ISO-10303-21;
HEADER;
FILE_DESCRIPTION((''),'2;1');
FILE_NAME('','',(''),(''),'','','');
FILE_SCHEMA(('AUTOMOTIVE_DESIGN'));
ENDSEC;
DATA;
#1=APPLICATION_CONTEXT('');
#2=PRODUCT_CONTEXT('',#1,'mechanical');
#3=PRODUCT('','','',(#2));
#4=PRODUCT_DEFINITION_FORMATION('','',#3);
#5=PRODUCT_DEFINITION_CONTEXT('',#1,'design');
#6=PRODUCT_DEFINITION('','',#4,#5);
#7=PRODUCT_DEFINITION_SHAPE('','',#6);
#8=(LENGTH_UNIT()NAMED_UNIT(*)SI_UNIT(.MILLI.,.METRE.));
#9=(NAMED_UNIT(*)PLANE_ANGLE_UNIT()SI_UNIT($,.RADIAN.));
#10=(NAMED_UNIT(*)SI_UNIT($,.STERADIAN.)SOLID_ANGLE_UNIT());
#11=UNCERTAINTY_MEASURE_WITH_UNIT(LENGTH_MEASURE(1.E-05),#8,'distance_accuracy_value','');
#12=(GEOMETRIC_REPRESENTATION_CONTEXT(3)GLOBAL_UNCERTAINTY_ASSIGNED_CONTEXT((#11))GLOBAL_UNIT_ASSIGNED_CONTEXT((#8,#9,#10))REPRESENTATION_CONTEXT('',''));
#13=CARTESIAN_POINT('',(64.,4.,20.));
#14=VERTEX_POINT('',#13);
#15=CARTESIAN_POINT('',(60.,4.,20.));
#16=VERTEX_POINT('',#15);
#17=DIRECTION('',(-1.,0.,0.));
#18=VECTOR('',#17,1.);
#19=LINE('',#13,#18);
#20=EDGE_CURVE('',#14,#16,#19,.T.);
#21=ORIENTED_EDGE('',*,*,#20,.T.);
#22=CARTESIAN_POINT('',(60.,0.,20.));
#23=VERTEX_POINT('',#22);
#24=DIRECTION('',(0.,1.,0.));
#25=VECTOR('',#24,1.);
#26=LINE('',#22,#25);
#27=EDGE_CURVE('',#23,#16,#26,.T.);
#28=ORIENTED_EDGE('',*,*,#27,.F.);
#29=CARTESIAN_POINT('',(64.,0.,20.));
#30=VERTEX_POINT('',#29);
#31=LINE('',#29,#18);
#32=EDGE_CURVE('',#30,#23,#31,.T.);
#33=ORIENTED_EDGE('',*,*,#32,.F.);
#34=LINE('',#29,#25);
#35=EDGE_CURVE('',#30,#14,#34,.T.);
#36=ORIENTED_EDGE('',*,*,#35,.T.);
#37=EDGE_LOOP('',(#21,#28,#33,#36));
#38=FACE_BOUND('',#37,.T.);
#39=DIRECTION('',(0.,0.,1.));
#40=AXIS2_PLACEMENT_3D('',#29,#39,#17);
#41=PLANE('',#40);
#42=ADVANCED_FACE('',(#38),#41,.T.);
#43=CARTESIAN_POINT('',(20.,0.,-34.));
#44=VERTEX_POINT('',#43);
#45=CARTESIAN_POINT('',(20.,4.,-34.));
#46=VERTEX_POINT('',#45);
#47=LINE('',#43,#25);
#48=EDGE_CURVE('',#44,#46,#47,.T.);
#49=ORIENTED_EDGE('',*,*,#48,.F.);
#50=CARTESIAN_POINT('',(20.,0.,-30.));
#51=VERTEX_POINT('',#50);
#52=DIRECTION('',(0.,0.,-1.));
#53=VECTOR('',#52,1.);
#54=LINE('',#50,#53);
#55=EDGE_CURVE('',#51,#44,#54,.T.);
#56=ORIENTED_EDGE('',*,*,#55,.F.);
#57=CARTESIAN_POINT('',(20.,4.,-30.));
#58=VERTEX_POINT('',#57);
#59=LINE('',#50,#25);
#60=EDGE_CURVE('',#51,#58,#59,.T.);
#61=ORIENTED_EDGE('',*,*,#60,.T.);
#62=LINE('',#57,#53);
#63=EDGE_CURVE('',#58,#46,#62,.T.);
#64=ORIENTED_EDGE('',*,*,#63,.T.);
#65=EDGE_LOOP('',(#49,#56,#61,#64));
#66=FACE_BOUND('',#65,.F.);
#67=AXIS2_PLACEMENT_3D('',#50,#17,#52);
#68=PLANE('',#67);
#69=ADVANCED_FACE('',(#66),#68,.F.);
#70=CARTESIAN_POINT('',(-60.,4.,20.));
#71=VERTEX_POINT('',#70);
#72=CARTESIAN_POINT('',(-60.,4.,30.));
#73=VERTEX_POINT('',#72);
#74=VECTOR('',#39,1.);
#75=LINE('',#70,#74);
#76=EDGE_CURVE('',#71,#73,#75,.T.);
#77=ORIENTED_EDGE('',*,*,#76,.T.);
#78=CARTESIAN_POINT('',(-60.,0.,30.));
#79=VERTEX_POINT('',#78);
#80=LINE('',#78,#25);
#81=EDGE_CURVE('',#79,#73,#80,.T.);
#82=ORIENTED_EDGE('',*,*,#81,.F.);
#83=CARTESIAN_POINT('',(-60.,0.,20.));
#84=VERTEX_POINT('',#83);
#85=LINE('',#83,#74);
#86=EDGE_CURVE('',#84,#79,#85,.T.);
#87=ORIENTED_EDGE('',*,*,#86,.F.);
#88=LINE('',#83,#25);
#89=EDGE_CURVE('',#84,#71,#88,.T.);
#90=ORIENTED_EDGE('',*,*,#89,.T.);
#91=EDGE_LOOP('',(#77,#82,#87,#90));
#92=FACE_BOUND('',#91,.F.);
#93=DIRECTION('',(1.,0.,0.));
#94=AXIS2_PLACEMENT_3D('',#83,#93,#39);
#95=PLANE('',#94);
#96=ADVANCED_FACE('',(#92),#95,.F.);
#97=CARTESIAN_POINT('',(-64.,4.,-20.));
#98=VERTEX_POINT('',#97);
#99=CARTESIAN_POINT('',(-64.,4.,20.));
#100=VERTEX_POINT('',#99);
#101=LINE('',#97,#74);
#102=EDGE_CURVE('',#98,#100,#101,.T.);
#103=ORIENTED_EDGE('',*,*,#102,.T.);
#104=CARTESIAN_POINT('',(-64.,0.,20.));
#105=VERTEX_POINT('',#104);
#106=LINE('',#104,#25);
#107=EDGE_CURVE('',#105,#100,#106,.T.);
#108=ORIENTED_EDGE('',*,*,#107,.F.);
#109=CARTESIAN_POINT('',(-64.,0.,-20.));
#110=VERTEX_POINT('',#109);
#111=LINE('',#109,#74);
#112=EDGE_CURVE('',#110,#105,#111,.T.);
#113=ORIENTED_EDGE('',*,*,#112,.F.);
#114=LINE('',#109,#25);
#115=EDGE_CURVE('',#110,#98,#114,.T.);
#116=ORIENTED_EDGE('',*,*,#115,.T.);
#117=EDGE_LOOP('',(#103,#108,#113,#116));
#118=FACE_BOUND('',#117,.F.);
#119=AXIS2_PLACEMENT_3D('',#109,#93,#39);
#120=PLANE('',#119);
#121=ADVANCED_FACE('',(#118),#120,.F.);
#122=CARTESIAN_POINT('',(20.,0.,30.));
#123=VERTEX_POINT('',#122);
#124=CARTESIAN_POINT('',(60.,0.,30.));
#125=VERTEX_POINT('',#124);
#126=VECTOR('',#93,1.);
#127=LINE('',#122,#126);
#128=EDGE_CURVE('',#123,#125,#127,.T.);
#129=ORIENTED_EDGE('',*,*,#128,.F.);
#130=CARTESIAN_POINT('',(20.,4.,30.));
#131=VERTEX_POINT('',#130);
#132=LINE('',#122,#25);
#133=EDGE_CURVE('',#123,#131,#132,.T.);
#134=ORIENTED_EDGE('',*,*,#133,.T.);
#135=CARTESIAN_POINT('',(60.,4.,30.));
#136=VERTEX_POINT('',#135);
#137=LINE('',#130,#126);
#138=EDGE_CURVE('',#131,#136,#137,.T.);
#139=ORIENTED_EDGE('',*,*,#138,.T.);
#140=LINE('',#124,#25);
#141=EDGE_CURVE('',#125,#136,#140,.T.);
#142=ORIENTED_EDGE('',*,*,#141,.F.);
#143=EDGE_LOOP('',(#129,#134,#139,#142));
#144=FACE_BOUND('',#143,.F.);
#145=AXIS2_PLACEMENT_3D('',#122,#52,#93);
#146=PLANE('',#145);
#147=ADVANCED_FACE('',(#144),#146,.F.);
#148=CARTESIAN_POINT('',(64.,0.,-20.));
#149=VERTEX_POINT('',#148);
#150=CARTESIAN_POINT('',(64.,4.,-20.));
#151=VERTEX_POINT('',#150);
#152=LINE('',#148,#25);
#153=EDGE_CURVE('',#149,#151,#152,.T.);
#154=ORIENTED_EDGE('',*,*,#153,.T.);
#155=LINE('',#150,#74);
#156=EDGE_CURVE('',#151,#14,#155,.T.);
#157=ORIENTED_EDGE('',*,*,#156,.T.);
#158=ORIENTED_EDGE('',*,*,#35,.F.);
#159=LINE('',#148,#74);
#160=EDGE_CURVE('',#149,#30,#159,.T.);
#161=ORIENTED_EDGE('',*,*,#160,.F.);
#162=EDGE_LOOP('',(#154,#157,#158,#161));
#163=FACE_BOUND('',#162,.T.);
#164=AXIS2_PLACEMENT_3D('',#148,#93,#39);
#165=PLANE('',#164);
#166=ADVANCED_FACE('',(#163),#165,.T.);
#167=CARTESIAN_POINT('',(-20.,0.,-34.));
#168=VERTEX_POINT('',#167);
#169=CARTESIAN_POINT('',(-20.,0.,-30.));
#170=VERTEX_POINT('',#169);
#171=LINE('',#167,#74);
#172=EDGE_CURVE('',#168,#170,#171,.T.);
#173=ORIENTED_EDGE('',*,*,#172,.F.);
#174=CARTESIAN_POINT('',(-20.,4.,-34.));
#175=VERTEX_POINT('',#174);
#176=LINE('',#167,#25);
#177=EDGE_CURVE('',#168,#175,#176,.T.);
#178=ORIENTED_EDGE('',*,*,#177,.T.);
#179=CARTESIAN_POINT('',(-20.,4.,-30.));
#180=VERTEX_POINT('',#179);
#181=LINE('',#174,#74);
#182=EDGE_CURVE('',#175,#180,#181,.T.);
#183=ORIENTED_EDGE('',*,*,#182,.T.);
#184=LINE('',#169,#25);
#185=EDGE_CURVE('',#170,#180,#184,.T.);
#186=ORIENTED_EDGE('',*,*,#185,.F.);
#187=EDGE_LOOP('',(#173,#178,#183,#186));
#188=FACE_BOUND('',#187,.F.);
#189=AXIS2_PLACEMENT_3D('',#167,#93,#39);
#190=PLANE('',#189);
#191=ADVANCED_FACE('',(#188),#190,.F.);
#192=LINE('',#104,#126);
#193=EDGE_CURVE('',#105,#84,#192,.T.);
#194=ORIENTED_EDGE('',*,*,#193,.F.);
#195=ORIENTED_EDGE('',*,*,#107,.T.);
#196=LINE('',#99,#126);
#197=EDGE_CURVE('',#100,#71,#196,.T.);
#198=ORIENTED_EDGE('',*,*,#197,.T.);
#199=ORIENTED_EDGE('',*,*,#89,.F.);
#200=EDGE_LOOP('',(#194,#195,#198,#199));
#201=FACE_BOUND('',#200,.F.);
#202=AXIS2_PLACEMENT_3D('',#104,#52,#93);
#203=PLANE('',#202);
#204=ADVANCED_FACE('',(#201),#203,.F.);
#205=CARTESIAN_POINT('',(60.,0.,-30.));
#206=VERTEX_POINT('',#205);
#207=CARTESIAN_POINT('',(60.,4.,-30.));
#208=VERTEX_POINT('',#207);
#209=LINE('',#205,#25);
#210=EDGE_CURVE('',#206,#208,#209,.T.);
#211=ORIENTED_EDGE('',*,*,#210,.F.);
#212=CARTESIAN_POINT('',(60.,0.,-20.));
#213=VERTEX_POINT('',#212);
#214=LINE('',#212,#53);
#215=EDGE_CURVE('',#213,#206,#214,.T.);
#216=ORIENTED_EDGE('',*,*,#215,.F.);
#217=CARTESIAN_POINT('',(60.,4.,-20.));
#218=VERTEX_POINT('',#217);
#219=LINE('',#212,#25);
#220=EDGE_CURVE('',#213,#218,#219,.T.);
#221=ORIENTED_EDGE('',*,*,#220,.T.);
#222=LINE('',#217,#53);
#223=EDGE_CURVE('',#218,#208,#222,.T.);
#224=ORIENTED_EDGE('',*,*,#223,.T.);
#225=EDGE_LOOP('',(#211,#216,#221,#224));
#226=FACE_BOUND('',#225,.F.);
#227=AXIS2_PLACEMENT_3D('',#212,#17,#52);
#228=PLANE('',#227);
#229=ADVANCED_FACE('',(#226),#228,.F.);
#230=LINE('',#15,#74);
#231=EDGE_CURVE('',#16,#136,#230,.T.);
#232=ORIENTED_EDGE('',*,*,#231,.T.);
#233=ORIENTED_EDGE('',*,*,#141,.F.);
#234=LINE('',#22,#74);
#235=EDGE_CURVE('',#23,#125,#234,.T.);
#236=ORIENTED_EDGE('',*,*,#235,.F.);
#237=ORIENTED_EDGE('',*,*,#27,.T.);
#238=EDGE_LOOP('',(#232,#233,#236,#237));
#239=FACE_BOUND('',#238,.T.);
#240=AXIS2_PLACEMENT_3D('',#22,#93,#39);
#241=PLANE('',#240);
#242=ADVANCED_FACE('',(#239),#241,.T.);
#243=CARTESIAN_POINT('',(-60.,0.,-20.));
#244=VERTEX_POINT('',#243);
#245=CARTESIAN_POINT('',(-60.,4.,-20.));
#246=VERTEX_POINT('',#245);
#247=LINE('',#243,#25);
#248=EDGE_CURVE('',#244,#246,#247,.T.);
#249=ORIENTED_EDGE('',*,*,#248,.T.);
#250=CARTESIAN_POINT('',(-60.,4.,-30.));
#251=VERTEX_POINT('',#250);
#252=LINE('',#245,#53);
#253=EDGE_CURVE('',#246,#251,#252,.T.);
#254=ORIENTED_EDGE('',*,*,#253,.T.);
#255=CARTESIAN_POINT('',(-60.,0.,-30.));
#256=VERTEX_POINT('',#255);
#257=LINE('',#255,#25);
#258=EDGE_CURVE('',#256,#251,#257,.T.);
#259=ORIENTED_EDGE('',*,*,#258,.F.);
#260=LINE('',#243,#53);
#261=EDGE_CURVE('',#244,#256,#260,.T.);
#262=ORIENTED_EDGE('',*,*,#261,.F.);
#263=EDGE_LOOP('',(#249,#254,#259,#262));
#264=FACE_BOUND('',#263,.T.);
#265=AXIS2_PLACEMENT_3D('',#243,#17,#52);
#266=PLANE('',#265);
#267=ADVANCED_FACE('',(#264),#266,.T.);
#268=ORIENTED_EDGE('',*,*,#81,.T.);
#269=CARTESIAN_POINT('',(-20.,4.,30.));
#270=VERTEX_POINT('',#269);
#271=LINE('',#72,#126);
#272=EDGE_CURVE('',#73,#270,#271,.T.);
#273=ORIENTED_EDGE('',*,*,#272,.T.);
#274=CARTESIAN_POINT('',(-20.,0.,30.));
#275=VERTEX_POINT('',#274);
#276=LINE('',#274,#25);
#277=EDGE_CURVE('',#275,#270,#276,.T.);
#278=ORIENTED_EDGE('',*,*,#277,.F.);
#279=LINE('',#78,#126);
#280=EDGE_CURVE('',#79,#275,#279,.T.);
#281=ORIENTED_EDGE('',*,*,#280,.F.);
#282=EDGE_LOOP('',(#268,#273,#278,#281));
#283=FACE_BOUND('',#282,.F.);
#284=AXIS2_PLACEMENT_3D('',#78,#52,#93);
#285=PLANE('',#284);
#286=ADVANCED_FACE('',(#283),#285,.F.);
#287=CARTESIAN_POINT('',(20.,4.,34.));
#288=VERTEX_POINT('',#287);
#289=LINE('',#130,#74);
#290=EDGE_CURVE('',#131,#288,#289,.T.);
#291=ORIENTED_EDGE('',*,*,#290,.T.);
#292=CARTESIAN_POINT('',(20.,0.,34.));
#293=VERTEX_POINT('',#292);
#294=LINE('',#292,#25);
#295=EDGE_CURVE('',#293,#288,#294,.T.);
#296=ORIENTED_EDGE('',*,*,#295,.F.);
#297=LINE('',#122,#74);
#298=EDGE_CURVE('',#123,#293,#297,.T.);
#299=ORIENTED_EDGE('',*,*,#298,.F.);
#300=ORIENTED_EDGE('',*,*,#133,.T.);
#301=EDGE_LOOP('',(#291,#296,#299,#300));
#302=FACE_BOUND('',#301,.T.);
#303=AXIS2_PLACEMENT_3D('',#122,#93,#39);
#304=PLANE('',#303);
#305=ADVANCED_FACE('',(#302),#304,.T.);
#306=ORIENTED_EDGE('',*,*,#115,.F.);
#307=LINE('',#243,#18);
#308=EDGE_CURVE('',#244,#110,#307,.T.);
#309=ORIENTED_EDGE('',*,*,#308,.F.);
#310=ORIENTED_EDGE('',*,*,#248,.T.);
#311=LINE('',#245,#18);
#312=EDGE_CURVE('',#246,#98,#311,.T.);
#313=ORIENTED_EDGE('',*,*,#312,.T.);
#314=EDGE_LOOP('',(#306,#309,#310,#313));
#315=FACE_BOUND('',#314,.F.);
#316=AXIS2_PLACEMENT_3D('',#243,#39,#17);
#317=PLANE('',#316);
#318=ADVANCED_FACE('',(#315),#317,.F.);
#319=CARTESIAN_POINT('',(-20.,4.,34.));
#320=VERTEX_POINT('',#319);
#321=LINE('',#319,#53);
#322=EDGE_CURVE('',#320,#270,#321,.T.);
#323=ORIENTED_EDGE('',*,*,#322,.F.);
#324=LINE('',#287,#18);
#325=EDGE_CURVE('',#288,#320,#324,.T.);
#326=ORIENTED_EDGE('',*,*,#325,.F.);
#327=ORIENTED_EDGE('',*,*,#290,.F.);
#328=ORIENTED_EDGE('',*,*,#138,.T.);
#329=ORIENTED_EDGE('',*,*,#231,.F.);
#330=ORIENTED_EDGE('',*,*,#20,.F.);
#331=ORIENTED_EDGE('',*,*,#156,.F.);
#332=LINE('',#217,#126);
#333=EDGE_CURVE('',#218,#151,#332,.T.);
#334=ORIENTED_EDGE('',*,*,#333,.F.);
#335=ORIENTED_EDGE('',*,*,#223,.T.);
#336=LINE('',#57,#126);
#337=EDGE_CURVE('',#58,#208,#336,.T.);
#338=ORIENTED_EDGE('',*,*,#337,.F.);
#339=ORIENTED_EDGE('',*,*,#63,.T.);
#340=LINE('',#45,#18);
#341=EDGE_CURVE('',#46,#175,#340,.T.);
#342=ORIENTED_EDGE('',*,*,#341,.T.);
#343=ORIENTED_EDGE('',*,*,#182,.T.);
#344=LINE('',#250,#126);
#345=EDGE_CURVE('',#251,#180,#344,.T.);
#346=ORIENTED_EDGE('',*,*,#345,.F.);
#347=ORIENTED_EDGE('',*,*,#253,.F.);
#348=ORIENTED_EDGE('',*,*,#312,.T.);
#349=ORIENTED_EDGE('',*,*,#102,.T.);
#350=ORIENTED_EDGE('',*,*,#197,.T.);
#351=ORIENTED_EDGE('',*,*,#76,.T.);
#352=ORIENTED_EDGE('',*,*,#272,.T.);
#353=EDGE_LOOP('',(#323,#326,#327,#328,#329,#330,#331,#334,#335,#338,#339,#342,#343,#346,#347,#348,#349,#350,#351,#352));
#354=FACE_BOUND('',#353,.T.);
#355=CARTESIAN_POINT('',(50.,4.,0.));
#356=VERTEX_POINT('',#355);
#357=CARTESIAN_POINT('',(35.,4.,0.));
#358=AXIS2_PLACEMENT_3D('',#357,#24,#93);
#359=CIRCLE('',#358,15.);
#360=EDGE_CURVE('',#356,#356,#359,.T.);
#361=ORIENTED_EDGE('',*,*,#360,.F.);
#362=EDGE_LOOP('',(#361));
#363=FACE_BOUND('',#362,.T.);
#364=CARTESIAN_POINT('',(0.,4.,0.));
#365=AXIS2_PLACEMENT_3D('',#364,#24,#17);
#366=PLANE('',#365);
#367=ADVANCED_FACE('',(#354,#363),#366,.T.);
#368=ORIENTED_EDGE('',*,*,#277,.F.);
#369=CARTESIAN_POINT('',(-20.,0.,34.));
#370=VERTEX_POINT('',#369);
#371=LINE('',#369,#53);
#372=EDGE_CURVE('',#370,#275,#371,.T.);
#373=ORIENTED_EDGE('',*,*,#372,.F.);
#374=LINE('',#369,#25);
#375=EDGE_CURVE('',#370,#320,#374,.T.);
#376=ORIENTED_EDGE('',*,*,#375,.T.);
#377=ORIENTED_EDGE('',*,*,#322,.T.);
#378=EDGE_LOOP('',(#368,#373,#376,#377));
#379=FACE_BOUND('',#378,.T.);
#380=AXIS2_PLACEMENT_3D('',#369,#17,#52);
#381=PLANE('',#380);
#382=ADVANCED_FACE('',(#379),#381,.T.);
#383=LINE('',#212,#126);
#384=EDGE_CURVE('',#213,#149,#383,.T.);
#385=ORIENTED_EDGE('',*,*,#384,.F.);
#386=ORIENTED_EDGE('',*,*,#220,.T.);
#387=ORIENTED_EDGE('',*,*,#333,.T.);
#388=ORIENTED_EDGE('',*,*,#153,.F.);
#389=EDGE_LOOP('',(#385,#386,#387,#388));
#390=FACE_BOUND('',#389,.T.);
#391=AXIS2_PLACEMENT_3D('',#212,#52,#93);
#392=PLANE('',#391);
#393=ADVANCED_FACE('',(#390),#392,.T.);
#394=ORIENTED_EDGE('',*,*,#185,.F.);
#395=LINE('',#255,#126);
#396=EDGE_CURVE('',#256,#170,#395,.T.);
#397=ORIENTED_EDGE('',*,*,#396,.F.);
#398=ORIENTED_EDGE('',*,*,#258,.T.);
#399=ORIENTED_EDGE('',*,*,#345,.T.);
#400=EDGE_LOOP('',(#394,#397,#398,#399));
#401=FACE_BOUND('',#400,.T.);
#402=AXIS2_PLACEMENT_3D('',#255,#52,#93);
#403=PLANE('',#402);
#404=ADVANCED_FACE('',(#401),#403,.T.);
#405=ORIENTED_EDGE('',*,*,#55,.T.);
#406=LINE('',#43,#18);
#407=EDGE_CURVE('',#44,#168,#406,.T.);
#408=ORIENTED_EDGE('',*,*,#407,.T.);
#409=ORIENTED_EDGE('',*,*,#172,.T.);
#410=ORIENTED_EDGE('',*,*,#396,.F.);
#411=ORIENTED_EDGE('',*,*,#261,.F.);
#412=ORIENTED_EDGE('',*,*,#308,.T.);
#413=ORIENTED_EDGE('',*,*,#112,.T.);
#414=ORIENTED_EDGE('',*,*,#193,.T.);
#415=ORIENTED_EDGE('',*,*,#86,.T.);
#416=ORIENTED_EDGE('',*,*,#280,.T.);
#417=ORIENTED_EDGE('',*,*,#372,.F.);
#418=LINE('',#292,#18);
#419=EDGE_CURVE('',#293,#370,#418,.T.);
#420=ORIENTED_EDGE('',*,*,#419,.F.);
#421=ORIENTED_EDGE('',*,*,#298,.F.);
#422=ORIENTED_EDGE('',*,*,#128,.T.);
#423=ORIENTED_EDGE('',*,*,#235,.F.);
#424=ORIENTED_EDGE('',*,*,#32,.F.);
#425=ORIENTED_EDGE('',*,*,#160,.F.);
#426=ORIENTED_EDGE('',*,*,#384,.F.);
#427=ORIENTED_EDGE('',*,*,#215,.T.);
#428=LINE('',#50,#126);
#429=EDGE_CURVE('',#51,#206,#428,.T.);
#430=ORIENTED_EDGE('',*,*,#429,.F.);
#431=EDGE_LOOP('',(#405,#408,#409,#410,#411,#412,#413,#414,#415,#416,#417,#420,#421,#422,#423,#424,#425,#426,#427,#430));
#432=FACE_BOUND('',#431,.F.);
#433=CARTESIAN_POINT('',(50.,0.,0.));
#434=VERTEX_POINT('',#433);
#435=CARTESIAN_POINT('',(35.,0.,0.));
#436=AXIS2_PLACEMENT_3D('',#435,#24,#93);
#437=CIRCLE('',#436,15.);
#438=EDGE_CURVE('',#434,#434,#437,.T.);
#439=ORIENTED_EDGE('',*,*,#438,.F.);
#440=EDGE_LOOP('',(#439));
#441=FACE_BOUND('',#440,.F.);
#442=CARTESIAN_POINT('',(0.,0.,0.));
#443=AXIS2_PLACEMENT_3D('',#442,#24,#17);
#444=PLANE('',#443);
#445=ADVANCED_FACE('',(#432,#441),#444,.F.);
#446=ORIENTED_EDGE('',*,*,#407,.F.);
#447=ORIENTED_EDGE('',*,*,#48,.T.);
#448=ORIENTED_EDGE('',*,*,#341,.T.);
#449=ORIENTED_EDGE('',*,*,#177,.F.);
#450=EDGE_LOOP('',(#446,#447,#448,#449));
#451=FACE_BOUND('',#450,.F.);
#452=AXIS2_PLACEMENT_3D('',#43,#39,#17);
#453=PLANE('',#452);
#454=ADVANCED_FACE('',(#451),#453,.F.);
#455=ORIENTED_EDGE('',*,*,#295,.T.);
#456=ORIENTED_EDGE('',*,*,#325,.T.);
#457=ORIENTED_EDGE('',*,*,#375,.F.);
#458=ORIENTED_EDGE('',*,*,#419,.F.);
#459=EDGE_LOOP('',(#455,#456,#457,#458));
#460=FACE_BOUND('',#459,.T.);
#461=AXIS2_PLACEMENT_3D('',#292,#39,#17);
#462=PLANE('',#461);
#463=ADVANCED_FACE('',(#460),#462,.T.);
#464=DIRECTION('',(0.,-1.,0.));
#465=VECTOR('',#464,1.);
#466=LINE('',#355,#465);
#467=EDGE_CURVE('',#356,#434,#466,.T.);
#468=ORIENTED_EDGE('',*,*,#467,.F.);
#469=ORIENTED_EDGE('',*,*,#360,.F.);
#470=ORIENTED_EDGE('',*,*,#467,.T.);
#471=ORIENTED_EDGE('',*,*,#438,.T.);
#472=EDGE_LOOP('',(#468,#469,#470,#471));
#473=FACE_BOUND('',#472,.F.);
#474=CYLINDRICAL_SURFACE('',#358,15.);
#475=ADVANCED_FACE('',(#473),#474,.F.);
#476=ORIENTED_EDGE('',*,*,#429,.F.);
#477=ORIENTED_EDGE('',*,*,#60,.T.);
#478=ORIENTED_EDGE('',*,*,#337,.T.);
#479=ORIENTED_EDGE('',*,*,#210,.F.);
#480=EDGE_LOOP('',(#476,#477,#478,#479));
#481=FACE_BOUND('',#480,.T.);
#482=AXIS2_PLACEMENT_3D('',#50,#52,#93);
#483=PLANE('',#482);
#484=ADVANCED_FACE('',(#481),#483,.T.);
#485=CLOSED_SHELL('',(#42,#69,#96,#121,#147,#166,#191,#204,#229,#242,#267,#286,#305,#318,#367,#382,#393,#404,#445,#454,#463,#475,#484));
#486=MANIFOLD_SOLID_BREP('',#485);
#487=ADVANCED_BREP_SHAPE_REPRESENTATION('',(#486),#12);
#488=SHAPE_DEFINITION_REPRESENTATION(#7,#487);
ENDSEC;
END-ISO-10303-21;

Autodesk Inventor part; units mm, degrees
ref_plane "YZ Plane" through (0, 0, 0) normal (1, 0, 0) x (0, 1, 0)
ref_plane "XZ Plane" through (0, 0, 0) normal (0, 1, 0) x (-1, 0, 0)
ref_plane "XY Plane" through (0, 0, 0) normal (0, 0, 1) x (1, 0, 0)
sketch "Sketch1" plane through (0, 0, 0) normal (0, 1, 0) x (-1, 0, 0)
  line L0 (60, 30) -> (-60, 30) construction
  line L1 (-60, 30) -> (-60, -30) construction
  line L2 (-60, -30) -> (60, -30) construction
  line L3 (60, -30) -> (60, 30) construction
  line L4 (20, 30) -> (-20, 30) construction
  line L5 (-20, 30) -> (-20, 34)
  line L6 (-20, 34) -> (20, 34)
  line L7 (20, 34) -> (20, 30)
  line L8 (20, -30) -> (-20, -30) construction
  line L9 (-20, -30) -> (-20, -34)
  line L10 (-20, -34) -> (20, -34)
  line L11 (20, -34) -> (20, -30)
  line L12 (-60, -20) -> (-64, -20)
  line L13 (-64, -20) -> (-64, 20)
  line L14 (-64, 20) -> (-60, 20)
  line L15 (-60, 20) -> (-60, -20) construction
  line L16 (60, -20) -> (64, -20)
  line L17 (64, -20) -> (64, 20)
  line L18 (64, 20) -> (60, 20)
  line L19 (60, 20) -> (60, -20) construction
  line L20 (60, -20) -> (60, -30)
  line L21 (60, -30) -> (20, -30)
  line L22 (-20, -30) -> (-60, -30)
  line L23 (-60, -20) -> (-60, -30)
  line L24 (-60, 20) -> (-60, 30)
  line L25 (-20, 30) -> (-60, 30)
  line L26 (60, 20) -> (60, 30)
  line L27 (60, 30) -> (20, 30)
  point P0 (0, 0)
  point P1 (62, -20)
  point P2 (-62, 20)
  point P3 (62, 20)
  point P4 (0, -30)
  point P5 (0, 30)
  point P6 (60, 0)
  point P7 (-60, 0)
  point P8 (0, -30)
  point P9 (60, 0)
  dimension "d0" = 40
  dimension "d1" = 4
  dimension "d2" = 120
  dimension "d3" = 60
extrude "Extrusion1" add sketch "Sketch1" along normal blind 4
sketch "Sketch2" plane through (0, 4, 0) normal (0, 1, 0) x (1, 0, 0)
  circle A0 centre (35, 0) radius 15
  line L0 (60, 20) -> (60, 30) projected
  point P0 (0, 0)
  dimension "d6" = 30
  dimension "d7" = 10
extrude "Extrusion2" cut sketch "Sketch2" against normal blind 4
properties part number "SideMale_120wx60h_V1" material "Wood (Oak)"
